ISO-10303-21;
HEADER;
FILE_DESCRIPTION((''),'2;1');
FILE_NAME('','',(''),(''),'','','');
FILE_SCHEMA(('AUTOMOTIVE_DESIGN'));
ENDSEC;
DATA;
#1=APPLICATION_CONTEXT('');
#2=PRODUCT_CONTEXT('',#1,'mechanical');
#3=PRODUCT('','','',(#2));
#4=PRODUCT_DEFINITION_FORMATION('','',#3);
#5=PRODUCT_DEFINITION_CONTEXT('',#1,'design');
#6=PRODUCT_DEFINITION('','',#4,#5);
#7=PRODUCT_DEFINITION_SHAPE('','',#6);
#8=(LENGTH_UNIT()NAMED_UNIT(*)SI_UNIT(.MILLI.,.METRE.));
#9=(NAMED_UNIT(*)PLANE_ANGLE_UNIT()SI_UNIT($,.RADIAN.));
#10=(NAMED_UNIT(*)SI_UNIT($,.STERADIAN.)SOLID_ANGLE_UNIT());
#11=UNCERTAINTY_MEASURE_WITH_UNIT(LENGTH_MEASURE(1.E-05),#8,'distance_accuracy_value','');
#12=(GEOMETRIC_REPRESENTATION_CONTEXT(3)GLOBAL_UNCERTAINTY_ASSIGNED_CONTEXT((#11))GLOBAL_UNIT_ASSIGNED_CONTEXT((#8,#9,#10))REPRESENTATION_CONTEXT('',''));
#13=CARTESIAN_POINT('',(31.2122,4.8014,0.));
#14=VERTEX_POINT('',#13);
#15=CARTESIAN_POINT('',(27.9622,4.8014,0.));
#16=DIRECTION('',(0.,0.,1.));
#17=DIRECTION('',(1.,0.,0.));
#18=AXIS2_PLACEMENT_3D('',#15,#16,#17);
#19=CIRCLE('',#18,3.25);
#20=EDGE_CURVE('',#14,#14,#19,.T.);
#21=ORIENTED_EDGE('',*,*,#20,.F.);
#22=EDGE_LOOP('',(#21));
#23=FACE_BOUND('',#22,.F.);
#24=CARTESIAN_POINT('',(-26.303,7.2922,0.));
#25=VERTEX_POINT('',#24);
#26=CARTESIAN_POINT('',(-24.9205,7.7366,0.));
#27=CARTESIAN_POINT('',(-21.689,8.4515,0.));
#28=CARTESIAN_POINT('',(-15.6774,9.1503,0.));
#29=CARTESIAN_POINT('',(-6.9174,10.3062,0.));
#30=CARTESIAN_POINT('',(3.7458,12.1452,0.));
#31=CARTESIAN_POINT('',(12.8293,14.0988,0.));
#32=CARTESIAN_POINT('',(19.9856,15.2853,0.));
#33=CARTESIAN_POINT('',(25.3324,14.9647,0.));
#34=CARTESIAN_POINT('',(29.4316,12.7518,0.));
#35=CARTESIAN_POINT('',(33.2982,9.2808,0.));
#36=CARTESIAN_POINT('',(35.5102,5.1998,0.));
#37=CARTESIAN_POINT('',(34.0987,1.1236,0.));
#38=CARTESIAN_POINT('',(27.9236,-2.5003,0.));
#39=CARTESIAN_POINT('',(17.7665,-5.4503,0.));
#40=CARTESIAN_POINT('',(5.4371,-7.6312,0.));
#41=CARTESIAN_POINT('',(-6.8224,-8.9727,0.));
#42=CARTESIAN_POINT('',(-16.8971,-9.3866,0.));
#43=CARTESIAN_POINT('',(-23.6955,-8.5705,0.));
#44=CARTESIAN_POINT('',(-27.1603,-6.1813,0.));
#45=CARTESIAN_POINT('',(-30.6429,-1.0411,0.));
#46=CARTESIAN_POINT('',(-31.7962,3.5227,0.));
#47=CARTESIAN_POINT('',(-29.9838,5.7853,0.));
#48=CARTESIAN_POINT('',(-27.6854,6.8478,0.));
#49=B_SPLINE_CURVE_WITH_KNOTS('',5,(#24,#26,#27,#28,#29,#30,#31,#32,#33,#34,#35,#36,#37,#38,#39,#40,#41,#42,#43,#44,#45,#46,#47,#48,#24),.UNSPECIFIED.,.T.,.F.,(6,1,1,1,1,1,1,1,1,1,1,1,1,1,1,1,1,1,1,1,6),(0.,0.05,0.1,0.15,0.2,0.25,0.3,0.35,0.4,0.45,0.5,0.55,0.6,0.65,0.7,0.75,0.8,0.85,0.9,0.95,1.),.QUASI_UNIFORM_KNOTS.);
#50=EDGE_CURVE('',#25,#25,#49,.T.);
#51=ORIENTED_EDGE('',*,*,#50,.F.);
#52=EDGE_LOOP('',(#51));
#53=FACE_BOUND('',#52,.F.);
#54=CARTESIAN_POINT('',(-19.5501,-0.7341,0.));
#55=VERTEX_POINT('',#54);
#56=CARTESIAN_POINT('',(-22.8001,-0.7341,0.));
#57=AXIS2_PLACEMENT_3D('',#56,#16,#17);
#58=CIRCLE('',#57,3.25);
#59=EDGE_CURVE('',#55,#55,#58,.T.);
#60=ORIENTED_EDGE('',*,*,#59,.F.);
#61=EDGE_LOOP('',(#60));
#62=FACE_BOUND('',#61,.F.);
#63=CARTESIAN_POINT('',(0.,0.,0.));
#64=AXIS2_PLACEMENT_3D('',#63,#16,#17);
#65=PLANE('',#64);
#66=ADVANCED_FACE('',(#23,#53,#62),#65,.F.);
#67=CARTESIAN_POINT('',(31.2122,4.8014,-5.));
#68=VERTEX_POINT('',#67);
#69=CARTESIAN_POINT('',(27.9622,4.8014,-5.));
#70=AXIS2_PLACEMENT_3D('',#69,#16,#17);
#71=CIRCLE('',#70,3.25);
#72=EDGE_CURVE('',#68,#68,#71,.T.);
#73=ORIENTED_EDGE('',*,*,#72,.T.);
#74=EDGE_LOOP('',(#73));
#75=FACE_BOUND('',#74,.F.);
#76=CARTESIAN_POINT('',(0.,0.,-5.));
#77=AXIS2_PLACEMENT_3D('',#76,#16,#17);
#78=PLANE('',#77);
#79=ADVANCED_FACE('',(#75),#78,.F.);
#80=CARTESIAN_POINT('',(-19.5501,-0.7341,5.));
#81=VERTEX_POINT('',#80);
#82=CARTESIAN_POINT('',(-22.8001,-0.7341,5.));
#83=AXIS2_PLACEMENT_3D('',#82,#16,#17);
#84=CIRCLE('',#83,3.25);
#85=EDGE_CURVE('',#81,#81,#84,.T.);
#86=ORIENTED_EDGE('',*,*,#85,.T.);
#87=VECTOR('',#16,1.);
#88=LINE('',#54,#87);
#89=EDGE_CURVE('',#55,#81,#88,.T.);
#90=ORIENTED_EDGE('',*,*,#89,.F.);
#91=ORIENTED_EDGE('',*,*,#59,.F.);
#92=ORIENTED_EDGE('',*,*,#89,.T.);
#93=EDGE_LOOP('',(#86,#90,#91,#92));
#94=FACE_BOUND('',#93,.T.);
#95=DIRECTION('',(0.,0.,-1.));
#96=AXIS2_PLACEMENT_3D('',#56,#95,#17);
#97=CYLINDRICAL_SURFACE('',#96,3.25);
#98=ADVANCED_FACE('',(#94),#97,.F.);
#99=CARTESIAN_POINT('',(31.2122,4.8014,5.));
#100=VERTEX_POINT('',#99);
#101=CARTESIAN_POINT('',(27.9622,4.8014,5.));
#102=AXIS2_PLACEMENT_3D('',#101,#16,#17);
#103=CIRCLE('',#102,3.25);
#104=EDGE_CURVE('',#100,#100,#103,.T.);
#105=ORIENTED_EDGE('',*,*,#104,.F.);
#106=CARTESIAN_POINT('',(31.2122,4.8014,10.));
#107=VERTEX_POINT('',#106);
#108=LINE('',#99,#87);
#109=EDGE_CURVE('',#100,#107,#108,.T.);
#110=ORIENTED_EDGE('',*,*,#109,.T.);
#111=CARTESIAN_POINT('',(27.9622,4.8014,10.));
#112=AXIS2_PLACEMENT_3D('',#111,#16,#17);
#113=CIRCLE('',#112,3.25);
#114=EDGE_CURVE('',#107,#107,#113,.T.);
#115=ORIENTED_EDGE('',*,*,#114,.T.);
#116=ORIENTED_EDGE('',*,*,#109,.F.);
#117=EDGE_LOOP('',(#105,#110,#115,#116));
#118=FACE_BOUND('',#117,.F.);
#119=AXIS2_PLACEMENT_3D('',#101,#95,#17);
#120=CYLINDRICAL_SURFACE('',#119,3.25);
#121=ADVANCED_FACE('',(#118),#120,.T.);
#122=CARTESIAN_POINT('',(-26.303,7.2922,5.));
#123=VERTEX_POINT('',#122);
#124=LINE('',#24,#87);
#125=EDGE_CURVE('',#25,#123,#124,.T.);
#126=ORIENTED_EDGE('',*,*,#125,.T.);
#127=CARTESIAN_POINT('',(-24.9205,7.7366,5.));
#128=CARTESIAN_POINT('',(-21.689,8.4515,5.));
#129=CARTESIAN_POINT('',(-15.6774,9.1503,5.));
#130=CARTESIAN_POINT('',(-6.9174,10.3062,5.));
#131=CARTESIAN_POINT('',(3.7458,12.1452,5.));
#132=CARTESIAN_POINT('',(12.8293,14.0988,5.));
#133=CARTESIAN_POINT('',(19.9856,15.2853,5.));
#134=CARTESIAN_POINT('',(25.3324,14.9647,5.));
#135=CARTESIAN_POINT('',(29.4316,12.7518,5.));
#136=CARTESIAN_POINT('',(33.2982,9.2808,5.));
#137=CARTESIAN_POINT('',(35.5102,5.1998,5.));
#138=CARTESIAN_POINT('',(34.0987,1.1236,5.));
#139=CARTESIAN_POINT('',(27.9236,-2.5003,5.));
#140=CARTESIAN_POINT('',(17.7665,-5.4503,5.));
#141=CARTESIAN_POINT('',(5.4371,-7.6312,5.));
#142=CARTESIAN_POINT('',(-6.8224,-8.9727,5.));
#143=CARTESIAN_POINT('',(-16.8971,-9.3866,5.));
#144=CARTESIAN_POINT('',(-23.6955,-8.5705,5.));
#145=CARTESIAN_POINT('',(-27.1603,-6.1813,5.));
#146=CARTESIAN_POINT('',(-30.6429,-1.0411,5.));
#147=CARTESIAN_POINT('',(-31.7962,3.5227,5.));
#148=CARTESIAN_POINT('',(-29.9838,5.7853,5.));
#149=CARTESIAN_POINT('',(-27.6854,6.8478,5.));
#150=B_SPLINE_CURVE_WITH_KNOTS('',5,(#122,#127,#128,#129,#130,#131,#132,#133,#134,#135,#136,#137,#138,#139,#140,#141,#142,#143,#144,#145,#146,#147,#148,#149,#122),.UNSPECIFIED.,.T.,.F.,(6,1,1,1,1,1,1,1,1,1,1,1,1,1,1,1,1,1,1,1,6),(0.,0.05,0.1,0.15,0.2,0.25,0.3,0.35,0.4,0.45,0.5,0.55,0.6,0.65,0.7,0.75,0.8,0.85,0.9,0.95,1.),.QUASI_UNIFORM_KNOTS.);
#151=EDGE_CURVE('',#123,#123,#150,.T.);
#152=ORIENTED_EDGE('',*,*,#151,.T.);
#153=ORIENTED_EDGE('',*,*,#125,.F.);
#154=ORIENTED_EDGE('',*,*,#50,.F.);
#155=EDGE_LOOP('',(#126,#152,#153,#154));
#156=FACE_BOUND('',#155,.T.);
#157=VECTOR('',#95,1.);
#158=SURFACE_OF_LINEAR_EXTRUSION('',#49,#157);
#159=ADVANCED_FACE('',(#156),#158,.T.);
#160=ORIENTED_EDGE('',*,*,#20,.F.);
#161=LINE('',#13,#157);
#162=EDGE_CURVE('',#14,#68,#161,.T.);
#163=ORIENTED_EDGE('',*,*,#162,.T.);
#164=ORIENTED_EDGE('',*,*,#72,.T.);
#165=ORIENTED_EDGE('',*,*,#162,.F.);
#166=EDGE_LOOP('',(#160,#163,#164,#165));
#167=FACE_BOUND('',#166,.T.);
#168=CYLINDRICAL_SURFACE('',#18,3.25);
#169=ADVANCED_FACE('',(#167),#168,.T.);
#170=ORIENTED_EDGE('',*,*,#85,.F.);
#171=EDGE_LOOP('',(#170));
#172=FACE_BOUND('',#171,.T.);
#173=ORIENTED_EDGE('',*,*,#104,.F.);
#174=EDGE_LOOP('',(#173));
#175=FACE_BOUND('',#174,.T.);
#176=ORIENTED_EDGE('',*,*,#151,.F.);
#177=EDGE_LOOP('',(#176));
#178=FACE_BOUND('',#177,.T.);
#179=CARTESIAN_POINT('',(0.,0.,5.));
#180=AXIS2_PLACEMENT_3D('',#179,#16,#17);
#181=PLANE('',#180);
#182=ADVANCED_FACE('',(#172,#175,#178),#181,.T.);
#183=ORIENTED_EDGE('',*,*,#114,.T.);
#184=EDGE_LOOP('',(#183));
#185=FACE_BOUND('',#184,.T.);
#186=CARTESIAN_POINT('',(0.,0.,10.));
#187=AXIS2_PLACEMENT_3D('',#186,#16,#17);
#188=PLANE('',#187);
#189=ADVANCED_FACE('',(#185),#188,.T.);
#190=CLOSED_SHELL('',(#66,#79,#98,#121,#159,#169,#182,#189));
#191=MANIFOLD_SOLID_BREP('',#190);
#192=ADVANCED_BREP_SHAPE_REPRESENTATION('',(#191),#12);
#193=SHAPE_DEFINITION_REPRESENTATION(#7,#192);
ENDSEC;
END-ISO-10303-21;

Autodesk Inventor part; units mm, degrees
ref_plane "YZ Plane" through (0, 0, 0) normal (1, 0, 0) x (0, 1, 0)
ref_plane "XZ Plane" through (0, 0, 0) normal (0, 1, 0) x (-1, 0, 0)
ref_plane "XY Plane" through (0, 0, 0) normal (0, 0, 1) x (1, 0, 0)
sketch "Sketch2" plane through (0, 0, 0) normal (0, 0, 1) x (1, 0, 0)
  circle A0 centre (27.9622, 4.8014) radius 3.25
  circle A1 centre (-22.8001, -0.7341) radius 3.25
  spline S0 degree 5 poles (-26.303, 7.2922) (-24.9205, 7.7366) (-21.689, 8.4515) (-15.6774, 9.1503) (-6.9174, 10.3062) (3.7458, 12.1452) (12.8293, 14.0988) (19.9856, 15.2853) (25.3324, 14.9647) (29.4316, 12.7518) (33.2982, 9.2808) (35.5102, 5.1998) (34.0987, 1.1236) (27.9236, -2.5003) (17.7665, -5.4503) (5.4371, -7.6312) (-6.8224, -8.9727) (-16.8971, -9.3866) (-23.6955, -8.5705) (-27.1603, -6.1813) (-30.6429, -1.0411) (-31.7962, 3.5227) (-29.9838, 5.7853) (-27.6854, 6.8478) (-26.303, 7.2922) knots 0 0 0 0 0 0 0.05 0.1 0.15 0.2 0.25 0.3 0.35 0.4 0.45 0.5 0.55 0.6 0.65 0.7 0.75 0.8 0.85 0.9 0.95 1 1 1 1 1 1 weights 1 1 1 1 1 1 1 1 1 1 1 1 1 1 1 1 1 1 1 1 1 1 1 1 1
  point P0 (0, 0)
  dimension "d6" = 6.5
extrude "Extrusion1" add sketch "Sketch2" along normal blind 5 contours A0 | S0
extrude "Extrusion2" add sketch "Sketch2" against normal blind 5 contours A0
sketch "Sketch3" plane through (0, 0, 5) normal (0, 0, 1) x (1, 0, 0)
  circle A0 centre (27.9622, 4.8014) radius 3.25 projected
  circle A1 centre (-22.8001, -0.7341) radius 3.25 projected
  point P0 (0, 0)
  point P1 (-26.303, 7.2922)
extrude "Extrusion3" add sketch "Sketch3" along normal blind 5 contours A0
equation "\"d6\" = R"
equation "\"d0\" = thickness"
equation "\"d2\" = thickness"
equation "\"d4\" = thickness"
equation "\"R\" = 6.5"
equation "\"thickness\" = 5"
equation "\"width\" = 6.5"
equation "\"R1\" = 9"
